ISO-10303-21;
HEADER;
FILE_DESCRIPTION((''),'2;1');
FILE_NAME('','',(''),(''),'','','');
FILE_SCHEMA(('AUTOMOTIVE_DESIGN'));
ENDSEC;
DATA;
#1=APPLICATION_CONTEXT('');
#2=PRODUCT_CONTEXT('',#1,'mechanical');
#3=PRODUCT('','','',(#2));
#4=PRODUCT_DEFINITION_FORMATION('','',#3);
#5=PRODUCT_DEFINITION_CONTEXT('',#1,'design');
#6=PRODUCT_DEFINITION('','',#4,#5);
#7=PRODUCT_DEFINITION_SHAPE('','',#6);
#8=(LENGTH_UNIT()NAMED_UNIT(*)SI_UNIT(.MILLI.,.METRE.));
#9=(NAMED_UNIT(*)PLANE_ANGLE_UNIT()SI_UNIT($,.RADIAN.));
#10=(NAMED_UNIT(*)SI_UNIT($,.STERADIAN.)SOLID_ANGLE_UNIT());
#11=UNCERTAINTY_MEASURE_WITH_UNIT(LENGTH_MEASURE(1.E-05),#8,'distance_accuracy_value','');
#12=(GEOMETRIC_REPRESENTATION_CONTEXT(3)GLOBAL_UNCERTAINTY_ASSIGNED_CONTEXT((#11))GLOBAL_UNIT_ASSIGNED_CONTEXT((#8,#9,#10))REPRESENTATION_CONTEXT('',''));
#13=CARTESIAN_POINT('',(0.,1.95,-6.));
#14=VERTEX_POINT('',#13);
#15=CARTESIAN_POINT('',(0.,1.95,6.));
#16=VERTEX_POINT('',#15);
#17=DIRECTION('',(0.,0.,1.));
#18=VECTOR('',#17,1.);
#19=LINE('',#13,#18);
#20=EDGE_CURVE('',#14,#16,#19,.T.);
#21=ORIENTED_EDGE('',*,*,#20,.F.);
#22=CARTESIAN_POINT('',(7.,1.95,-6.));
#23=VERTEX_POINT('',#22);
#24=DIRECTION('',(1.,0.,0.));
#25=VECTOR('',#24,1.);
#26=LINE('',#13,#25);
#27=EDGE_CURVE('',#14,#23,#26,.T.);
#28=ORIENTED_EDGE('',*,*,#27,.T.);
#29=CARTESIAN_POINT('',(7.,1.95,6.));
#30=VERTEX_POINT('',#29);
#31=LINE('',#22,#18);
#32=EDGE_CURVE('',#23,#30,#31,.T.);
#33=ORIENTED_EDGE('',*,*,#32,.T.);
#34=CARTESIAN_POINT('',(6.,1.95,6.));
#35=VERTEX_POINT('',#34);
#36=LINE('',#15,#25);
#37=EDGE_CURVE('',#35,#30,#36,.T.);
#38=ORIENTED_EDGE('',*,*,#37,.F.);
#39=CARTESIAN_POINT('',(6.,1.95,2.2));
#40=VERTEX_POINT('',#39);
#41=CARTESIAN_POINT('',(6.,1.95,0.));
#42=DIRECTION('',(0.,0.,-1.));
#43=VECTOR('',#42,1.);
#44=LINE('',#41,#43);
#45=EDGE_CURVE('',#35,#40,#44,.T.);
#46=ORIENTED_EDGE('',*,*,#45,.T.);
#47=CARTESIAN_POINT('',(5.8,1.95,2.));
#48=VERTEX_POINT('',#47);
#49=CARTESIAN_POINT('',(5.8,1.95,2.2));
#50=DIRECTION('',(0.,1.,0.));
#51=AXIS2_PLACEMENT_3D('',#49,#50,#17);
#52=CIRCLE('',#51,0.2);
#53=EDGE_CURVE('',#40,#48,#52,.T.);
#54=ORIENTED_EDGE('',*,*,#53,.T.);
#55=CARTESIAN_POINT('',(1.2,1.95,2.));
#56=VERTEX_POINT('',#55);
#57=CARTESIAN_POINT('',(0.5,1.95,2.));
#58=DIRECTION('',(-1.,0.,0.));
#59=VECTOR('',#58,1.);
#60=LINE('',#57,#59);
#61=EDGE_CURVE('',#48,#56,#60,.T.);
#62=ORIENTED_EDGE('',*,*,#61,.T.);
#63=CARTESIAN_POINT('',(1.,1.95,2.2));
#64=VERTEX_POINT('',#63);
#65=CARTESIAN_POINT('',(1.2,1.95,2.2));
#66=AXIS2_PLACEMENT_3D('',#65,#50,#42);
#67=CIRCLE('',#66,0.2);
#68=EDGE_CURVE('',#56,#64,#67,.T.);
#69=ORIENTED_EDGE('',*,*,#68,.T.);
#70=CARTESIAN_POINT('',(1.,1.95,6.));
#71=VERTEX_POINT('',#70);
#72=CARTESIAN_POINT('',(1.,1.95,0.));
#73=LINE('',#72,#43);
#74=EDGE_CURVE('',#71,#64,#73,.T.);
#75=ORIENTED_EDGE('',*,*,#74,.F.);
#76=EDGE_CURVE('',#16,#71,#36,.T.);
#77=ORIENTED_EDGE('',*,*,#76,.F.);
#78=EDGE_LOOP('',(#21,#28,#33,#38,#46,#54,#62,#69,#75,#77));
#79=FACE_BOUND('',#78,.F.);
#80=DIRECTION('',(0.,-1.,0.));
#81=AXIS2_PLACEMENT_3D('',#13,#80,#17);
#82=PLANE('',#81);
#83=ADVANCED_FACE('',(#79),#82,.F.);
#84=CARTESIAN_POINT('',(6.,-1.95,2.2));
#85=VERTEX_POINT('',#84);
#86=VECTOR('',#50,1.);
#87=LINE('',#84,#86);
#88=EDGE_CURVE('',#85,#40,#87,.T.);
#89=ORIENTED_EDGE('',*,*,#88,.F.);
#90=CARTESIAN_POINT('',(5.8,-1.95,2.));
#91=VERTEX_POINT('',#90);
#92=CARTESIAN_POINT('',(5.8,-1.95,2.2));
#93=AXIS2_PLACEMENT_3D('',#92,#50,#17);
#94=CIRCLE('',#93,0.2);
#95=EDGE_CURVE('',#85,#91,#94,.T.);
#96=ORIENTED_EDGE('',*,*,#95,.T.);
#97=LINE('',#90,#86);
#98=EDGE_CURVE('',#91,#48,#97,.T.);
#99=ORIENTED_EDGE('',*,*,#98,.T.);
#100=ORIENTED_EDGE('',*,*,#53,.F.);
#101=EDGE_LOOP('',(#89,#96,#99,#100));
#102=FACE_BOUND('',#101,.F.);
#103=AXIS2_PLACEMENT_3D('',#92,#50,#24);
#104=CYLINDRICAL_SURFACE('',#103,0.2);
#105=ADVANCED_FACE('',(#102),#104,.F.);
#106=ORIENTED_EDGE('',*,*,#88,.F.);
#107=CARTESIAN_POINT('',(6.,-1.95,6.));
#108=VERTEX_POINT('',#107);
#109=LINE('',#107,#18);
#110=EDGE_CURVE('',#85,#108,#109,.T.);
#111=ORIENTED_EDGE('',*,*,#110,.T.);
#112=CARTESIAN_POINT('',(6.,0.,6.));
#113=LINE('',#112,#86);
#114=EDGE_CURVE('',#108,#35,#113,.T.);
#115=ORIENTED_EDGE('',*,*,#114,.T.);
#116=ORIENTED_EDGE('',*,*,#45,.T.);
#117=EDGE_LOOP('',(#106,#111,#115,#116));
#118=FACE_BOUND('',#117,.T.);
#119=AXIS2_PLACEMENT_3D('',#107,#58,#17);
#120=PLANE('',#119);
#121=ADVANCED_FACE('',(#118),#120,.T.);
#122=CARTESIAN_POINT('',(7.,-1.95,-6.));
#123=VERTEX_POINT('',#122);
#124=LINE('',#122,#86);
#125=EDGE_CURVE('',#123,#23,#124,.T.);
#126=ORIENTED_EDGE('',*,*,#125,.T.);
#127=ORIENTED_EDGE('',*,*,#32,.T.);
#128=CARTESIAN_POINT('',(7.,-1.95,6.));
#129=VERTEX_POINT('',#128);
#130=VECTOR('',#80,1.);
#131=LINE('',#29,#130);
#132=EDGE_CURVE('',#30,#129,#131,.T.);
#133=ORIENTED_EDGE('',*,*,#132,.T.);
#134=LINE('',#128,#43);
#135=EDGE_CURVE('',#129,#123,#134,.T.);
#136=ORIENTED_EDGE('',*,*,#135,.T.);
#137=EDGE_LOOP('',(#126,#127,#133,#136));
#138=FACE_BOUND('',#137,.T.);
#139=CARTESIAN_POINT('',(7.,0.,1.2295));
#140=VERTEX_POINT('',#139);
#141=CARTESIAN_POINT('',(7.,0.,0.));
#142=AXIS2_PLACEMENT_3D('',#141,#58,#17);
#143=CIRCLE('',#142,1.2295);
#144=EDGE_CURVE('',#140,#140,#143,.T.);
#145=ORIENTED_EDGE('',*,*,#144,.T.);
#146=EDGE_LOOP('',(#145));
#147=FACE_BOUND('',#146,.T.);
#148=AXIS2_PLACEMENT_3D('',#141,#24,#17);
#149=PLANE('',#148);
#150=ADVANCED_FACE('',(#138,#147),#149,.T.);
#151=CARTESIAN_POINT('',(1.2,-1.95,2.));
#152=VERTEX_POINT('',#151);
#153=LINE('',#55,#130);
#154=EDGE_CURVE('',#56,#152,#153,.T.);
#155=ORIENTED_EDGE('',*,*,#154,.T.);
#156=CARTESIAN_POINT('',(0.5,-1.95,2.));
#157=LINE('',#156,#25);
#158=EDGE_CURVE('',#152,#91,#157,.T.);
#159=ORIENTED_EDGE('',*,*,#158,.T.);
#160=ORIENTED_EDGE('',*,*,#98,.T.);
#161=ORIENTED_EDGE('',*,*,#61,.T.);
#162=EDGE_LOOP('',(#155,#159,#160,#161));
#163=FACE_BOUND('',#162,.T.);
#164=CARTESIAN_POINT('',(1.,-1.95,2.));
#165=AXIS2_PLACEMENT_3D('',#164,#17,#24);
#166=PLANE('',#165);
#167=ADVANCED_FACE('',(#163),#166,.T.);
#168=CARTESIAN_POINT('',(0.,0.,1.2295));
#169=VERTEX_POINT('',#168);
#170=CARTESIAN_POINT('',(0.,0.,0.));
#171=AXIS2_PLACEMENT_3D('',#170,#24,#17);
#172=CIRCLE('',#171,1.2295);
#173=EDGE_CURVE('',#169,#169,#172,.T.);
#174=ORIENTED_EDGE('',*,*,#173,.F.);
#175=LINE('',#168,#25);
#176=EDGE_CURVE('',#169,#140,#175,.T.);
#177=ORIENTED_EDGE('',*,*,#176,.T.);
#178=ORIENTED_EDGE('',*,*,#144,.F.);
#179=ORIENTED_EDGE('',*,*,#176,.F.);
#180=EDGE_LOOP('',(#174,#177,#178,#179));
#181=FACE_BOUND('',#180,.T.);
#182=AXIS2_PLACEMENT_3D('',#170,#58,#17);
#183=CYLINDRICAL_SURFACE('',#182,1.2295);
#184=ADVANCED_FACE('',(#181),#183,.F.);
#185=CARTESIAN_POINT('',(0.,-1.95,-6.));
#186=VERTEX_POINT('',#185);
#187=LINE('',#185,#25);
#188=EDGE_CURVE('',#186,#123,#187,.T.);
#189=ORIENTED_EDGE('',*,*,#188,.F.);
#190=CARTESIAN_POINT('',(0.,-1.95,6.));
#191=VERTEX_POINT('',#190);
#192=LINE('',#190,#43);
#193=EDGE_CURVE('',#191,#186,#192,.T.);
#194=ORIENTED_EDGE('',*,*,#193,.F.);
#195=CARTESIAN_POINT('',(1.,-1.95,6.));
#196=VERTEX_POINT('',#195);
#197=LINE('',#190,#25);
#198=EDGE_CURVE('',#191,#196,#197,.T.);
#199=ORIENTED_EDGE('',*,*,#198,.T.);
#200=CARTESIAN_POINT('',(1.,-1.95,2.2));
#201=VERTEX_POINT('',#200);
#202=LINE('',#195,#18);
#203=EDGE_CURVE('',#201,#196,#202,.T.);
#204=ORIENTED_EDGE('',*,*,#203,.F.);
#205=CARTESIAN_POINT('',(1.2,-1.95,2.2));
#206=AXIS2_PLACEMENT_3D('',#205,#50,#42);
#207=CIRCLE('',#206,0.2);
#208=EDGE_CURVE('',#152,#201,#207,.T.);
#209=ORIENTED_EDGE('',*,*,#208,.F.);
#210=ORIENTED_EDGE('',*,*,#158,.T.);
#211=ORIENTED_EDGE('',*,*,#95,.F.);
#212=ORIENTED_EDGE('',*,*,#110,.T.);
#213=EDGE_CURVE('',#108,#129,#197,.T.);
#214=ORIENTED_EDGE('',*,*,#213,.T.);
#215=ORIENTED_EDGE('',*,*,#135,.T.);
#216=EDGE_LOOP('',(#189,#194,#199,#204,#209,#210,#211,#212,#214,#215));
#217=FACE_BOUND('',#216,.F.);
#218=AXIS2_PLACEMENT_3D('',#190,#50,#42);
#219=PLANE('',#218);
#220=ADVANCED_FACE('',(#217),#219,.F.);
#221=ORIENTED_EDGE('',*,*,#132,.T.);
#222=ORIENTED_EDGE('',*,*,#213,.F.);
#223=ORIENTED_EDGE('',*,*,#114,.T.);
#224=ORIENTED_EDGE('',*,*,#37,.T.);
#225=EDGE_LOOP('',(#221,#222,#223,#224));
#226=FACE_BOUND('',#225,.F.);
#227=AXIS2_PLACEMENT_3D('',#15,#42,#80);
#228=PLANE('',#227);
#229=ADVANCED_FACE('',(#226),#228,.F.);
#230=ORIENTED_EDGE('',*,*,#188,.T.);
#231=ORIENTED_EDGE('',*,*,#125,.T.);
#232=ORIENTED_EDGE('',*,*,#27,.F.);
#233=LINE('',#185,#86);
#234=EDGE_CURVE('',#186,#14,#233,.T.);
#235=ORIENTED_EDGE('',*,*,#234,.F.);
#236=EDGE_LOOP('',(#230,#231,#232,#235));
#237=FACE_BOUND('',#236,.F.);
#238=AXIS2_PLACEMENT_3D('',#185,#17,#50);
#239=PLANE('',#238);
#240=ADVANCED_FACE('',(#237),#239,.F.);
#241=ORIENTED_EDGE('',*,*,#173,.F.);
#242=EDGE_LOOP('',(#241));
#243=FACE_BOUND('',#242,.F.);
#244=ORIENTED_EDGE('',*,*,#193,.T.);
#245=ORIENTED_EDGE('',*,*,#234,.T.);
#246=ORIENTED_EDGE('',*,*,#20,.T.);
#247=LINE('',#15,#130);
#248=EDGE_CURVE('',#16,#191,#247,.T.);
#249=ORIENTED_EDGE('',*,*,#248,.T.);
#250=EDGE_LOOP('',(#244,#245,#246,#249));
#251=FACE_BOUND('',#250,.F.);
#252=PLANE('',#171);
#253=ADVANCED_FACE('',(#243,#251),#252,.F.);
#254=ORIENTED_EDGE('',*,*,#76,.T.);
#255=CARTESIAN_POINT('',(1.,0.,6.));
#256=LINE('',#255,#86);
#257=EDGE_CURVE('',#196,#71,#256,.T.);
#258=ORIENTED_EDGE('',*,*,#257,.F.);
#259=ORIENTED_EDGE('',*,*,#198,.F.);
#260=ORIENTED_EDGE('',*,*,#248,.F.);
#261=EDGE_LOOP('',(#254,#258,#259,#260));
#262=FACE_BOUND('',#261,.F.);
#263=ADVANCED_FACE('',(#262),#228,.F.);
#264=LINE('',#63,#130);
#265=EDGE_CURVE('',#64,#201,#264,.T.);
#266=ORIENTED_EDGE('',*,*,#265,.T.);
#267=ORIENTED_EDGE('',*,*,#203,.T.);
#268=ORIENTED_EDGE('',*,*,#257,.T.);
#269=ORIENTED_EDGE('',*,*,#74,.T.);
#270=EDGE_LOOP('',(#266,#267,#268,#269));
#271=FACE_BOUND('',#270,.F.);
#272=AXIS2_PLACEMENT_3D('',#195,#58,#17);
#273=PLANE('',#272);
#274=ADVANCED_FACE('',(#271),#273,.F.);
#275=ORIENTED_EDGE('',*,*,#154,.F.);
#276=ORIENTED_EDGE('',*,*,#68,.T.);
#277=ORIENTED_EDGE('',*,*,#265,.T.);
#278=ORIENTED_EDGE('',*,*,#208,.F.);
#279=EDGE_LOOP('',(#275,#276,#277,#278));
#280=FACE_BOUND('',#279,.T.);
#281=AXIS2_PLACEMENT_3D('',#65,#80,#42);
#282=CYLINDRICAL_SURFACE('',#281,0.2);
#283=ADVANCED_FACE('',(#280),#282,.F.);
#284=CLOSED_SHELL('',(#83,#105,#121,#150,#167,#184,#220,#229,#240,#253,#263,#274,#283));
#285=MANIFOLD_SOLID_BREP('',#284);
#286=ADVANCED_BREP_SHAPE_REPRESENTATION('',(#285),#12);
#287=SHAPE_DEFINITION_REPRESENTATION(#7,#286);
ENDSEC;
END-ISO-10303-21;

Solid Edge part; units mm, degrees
sketch "Sketch1" plane through (0, 0, 0) normal (1, 0, 0) x (0, 1, 0)
  line L0 (-1.95, -6) -> (1.95, -6)
  line L1 (1.95, -6) -> (1.95, 6)
  line L2 (1.95, 6) -> (-1.95, 6)
  line L3 (-1.95, 6) -> (-1.95, -6)
  dimension "D1" = 3.9
  dimension "D2" = 12
extrude "Protrusion1" add sketch "Sketch1" along normal blind 7
hole "Bohrung_2" at (0, 0, 0) direction (1, 0, 0) diameter 2.459 end up to next
sketch "Sketch2" plane through (3.5, -1.95, 0) normal (0, -1, 0) x (1, 0, 0)
  line L0 (-2.5, 6) -> (-2.5, 2)
  line L1 (-2.5, 2) -> (2.5, 2)
  line L2 (2.5, 2) -> (2.5, 6)
  dimension "D1" = 5
  dimension "D2" = 4
extrude "Extrusionsausschnitt_2" cut sketch "Sketch2" along normal mid plane 9.7632 material side at (1.05, -1.95, 4)
fillet "Verrundung_2" radius 0.2 2 edges at (1, 0, 2) (6, 0, 2)
properties part number "052" material "Aluminiumlegierung:3.0205, Al 99.0, EN-AW 1200"
